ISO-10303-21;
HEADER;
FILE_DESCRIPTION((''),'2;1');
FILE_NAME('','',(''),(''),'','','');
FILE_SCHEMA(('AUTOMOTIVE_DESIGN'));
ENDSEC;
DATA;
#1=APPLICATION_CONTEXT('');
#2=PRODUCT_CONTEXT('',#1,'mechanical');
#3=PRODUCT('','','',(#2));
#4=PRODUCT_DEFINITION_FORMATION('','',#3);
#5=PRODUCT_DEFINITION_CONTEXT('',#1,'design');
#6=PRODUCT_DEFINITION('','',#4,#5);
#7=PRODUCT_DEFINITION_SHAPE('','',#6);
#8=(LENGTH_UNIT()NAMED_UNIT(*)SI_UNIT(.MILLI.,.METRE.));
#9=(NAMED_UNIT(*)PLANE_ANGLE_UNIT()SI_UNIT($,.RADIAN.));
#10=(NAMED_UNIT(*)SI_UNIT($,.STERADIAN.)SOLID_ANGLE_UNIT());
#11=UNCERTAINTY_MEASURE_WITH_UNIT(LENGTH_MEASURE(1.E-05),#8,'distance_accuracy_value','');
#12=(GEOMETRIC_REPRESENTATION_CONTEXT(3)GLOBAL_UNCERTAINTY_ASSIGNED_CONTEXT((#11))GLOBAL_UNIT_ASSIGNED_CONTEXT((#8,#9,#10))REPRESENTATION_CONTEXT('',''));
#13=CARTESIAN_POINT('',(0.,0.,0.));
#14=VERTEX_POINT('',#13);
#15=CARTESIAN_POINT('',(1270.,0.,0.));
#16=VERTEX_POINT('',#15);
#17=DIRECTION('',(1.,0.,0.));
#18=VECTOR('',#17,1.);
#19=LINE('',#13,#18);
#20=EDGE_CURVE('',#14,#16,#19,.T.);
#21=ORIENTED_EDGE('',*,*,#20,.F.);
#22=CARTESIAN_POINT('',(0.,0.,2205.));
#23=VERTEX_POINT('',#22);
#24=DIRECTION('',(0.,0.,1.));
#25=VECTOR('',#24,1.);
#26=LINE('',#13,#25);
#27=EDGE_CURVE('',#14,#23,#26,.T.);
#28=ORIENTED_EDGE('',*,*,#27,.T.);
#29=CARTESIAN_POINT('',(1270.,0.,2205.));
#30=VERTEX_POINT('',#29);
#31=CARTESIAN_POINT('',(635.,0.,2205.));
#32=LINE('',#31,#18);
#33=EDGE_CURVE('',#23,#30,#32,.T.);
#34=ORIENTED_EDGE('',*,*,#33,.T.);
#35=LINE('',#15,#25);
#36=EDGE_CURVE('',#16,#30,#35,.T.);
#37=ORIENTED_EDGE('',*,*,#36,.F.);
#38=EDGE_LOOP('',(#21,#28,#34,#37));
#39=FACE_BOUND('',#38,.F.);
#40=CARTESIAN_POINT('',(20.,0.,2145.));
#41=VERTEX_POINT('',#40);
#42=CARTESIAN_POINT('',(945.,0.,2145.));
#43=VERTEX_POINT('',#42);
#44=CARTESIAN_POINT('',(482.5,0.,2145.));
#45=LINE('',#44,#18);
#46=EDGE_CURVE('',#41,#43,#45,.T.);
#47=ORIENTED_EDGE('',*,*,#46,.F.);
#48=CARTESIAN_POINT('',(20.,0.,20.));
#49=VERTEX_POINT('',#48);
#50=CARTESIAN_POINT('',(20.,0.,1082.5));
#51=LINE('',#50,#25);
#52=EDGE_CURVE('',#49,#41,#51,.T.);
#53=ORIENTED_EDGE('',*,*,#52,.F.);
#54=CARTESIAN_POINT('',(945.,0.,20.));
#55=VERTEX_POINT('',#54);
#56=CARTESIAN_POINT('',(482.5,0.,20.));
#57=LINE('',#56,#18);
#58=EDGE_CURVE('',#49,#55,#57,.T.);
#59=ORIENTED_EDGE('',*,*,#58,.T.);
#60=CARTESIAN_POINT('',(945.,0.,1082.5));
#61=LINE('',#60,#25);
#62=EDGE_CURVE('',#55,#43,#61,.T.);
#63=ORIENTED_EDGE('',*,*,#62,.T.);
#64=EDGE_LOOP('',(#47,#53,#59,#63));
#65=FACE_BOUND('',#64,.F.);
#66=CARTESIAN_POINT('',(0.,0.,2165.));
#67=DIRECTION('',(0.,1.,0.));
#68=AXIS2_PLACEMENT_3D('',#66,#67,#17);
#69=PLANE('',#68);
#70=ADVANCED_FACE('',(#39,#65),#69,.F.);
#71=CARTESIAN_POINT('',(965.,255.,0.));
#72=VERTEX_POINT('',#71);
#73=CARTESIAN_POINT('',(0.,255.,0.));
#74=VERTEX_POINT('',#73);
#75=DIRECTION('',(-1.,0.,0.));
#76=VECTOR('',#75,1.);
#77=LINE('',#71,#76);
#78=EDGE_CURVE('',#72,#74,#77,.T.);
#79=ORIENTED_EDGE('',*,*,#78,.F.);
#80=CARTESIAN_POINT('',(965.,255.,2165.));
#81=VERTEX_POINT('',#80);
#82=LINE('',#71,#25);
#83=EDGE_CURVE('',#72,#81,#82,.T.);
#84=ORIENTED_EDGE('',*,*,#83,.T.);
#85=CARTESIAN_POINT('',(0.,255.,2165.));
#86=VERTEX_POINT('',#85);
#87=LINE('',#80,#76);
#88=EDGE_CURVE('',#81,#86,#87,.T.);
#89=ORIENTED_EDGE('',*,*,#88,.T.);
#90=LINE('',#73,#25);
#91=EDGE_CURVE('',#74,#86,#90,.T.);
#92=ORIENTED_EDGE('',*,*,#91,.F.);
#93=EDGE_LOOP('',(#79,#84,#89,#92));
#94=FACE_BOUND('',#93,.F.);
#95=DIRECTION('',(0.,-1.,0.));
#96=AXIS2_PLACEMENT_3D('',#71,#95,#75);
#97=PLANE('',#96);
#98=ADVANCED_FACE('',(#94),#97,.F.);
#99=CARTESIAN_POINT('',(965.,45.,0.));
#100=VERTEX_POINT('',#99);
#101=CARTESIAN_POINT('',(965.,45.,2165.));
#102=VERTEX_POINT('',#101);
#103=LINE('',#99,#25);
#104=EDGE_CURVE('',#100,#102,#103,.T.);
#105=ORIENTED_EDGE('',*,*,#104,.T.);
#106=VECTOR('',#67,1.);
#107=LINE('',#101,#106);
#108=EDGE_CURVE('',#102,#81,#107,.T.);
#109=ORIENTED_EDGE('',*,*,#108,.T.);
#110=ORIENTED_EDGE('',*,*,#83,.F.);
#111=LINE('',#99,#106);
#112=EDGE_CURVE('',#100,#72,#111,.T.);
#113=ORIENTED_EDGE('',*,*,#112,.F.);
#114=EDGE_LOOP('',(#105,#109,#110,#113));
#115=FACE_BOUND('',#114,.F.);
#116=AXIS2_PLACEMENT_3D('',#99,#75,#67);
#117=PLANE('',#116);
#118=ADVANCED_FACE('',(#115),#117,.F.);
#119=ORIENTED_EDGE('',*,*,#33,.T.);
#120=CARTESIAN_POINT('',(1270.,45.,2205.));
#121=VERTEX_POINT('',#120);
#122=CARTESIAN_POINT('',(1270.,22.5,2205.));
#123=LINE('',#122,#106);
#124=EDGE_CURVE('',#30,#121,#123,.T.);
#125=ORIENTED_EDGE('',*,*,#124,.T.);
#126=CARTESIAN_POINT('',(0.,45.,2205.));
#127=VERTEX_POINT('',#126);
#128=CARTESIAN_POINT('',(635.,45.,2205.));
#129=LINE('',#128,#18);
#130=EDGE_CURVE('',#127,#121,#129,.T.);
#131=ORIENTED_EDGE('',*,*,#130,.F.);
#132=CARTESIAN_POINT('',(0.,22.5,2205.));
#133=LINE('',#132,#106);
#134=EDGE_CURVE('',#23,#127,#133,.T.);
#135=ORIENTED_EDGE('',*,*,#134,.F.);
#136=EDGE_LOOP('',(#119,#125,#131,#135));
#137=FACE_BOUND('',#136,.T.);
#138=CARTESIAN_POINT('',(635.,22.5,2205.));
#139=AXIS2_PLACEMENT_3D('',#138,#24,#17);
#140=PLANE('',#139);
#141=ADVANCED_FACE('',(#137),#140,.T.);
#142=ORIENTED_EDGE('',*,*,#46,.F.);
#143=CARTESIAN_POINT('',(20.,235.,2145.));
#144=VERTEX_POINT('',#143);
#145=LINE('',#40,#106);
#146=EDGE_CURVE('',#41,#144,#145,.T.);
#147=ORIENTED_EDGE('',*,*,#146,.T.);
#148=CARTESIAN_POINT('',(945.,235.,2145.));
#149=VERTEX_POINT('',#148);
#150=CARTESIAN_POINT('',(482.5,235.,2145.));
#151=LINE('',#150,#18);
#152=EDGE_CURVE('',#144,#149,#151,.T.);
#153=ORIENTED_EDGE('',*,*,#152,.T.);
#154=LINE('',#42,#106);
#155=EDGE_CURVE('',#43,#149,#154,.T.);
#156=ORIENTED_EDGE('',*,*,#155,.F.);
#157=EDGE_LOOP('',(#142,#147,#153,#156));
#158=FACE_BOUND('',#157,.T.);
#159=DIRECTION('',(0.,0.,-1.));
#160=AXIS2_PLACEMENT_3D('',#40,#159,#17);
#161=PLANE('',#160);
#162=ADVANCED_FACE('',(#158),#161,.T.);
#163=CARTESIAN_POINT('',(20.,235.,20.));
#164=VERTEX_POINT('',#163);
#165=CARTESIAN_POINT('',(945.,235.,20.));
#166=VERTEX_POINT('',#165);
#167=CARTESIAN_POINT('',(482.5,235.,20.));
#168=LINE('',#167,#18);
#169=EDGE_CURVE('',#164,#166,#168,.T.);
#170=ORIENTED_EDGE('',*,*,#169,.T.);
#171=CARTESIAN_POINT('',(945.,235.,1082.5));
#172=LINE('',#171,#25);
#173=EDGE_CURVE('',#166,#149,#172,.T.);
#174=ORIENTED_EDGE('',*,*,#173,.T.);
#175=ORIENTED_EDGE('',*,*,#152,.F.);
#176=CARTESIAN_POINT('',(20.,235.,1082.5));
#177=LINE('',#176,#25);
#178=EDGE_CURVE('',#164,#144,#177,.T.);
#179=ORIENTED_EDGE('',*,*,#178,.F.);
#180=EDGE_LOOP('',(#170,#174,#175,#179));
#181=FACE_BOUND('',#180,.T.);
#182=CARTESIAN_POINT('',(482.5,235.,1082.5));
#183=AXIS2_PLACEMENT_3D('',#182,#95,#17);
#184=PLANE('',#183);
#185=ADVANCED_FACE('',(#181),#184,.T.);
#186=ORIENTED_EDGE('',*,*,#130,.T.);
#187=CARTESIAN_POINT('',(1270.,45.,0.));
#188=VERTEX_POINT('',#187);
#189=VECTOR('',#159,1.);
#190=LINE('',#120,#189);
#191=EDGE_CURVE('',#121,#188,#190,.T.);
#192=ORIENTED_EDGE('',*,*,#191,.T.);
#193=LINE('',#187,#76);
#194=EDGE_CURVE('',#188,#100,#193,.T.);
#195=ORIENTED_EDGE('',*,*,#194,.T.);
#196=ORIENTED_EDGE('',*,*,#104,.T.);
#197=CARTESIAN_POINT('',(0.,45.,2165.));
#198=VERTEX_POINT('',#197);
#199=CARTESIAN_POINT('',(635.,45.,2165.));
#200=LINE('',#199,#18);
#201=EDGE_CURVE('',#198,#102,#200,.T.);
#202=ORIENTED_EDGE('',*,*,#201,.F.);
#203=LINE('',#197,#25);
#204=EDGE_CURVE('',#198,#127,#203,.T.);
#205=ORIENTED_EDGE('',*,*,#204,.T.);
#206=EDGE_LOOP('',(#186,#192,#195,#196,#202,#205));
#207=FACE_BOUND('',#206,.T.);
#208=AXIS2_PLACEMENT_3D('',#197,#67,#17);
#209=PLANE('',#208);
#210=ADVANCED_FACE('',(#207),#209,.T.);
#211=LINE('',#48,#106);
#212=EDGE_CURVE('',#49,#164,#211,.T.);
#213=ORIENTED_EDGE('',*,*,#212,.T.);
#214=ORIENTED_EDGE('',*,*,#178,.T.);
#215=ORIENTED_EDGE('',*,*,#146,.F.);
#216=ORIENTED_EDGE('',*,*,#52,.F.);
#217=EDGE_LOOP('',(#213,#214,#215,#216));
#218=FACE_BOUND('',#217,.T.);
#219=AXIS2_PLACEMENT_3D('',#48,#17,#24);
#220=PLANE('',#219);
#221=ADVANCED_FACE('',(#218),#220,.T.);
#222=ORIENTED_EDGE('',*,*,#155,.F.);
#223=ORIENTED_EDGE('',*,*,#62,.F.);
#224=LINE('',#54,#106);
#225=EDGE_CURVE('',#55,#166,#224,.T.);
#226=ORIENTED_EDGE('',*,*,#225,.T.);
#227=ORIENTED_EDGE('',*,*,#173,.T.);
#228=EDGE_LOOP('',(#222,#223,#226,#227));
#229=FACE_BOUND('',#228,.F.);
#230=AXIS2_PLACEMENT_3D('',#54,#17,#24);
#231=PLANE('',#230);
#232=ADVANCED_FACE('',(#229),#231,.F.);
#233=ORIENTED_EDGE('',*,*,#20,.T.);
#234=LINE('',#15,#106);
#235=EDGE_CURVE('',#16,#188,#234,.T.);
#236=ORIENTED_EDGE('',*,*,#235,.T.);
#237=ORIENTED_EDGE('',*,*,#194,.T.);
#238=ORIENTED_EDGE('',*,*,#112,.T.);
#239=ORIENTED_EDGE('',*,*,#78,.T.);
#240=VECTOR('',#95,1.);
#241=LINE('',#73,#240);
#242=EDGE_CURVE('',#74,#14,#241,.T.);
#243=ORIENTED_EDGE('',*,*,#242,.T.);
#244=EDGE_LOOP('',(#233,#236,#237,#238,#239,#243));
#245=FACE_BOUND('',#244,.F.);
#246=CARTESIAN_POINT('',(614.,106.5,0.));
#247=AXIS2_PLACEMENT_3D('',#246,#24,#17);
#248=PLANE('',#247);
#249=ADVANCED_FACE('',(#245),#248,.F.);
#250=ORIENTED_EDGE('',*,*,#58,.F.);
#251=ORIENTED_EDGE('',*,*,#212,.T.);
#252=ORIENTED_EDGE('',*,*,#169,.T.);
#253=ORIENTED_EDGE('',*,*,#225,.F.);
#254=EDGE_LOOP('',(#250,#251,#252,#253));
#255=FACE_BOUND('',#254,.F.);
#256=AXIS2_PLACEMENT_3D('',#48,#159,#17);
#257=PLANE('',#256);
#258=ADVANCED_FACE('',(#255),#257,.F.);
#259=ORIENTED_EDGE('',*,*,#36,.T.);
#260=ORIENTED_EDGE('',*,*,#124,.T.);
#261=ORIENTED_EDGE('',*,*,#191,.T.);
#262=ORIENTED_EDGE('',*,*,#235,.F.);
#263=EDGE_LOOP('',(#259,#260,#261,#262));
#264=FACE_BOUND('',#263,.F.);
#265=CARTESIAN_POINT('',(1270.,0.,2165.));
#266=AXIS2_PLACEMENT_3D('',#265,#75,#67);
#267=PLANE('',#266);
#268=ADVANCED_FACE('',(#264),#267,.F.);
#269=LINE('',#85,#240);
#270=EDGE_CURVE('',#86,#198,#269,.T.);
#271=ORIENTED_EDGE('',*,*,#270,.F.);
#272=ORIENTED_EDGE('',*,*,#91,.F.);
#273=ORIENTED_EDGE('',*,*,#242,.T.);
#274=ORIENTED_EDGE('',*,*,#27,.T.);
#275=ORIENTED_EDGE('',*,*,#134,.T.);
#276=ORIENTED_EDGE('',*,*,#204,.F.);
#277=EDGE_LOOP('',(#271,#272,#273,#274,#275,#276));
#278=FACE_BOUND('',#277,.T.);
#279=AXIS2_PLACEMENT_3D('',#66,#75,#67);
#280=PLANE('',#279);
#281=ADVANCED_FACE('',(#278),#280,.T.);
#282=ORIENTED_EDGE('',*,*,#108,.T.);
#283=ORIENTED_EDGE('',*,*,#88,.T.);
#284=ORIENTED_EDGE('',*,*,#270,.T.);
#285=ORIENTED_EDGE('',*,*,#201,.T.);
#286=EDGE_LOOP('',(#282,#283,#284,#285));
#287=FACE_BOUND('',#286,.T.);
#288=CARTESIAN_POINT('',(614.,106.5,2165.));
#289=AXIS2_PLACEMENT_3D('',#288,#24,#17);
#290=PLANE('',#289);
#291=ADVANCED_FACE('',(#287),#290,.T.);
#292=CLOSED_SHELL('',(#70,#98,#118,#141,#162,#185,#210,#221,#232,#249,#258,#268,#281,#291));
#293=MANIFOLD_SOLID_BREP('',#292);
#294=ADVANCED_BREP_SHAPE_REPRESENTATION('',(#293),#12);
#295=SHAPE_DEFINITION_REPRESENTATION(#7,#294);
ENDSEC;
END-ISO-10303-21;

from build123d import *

# Parameters (mm, degrees)
F1_DEPTH = 2165
F2_W     = 1270
F2_H     = 45
F3_DEPTH = 40
F4_W     = 925
F4_H     = 2125
F5_DEPTH = 235


with BuildPart() as f1:
    # F0 (on Top) → F1 (new body)
    with BuildSketch(Plane.XY):
        Polygon((0, 255), (0, 0), (1270, 0), (1270, 45), (965, 45), (965, 255), align=None)
    extrude(amount=F1_DEPTH)

    # F2 (on face) → F3 (join)
    with BuildSketch(Plane.XY.offset(2165)):
        with Locations((635, 22.5)):
            Rectangle(F2_W, F2_H)
    extrude(amount=F3_DEPTH)

    # F4 (on face) → F5 (cut)
    with BuildSketch(Plane.XZ):
        with Locations((482.5, 1082.5)):
            Rectangle(F4_W, F4_H)
    extrude(amount=-F5_DEPTH, mode=Mode.SUBTRACT)


solid = f1.part
